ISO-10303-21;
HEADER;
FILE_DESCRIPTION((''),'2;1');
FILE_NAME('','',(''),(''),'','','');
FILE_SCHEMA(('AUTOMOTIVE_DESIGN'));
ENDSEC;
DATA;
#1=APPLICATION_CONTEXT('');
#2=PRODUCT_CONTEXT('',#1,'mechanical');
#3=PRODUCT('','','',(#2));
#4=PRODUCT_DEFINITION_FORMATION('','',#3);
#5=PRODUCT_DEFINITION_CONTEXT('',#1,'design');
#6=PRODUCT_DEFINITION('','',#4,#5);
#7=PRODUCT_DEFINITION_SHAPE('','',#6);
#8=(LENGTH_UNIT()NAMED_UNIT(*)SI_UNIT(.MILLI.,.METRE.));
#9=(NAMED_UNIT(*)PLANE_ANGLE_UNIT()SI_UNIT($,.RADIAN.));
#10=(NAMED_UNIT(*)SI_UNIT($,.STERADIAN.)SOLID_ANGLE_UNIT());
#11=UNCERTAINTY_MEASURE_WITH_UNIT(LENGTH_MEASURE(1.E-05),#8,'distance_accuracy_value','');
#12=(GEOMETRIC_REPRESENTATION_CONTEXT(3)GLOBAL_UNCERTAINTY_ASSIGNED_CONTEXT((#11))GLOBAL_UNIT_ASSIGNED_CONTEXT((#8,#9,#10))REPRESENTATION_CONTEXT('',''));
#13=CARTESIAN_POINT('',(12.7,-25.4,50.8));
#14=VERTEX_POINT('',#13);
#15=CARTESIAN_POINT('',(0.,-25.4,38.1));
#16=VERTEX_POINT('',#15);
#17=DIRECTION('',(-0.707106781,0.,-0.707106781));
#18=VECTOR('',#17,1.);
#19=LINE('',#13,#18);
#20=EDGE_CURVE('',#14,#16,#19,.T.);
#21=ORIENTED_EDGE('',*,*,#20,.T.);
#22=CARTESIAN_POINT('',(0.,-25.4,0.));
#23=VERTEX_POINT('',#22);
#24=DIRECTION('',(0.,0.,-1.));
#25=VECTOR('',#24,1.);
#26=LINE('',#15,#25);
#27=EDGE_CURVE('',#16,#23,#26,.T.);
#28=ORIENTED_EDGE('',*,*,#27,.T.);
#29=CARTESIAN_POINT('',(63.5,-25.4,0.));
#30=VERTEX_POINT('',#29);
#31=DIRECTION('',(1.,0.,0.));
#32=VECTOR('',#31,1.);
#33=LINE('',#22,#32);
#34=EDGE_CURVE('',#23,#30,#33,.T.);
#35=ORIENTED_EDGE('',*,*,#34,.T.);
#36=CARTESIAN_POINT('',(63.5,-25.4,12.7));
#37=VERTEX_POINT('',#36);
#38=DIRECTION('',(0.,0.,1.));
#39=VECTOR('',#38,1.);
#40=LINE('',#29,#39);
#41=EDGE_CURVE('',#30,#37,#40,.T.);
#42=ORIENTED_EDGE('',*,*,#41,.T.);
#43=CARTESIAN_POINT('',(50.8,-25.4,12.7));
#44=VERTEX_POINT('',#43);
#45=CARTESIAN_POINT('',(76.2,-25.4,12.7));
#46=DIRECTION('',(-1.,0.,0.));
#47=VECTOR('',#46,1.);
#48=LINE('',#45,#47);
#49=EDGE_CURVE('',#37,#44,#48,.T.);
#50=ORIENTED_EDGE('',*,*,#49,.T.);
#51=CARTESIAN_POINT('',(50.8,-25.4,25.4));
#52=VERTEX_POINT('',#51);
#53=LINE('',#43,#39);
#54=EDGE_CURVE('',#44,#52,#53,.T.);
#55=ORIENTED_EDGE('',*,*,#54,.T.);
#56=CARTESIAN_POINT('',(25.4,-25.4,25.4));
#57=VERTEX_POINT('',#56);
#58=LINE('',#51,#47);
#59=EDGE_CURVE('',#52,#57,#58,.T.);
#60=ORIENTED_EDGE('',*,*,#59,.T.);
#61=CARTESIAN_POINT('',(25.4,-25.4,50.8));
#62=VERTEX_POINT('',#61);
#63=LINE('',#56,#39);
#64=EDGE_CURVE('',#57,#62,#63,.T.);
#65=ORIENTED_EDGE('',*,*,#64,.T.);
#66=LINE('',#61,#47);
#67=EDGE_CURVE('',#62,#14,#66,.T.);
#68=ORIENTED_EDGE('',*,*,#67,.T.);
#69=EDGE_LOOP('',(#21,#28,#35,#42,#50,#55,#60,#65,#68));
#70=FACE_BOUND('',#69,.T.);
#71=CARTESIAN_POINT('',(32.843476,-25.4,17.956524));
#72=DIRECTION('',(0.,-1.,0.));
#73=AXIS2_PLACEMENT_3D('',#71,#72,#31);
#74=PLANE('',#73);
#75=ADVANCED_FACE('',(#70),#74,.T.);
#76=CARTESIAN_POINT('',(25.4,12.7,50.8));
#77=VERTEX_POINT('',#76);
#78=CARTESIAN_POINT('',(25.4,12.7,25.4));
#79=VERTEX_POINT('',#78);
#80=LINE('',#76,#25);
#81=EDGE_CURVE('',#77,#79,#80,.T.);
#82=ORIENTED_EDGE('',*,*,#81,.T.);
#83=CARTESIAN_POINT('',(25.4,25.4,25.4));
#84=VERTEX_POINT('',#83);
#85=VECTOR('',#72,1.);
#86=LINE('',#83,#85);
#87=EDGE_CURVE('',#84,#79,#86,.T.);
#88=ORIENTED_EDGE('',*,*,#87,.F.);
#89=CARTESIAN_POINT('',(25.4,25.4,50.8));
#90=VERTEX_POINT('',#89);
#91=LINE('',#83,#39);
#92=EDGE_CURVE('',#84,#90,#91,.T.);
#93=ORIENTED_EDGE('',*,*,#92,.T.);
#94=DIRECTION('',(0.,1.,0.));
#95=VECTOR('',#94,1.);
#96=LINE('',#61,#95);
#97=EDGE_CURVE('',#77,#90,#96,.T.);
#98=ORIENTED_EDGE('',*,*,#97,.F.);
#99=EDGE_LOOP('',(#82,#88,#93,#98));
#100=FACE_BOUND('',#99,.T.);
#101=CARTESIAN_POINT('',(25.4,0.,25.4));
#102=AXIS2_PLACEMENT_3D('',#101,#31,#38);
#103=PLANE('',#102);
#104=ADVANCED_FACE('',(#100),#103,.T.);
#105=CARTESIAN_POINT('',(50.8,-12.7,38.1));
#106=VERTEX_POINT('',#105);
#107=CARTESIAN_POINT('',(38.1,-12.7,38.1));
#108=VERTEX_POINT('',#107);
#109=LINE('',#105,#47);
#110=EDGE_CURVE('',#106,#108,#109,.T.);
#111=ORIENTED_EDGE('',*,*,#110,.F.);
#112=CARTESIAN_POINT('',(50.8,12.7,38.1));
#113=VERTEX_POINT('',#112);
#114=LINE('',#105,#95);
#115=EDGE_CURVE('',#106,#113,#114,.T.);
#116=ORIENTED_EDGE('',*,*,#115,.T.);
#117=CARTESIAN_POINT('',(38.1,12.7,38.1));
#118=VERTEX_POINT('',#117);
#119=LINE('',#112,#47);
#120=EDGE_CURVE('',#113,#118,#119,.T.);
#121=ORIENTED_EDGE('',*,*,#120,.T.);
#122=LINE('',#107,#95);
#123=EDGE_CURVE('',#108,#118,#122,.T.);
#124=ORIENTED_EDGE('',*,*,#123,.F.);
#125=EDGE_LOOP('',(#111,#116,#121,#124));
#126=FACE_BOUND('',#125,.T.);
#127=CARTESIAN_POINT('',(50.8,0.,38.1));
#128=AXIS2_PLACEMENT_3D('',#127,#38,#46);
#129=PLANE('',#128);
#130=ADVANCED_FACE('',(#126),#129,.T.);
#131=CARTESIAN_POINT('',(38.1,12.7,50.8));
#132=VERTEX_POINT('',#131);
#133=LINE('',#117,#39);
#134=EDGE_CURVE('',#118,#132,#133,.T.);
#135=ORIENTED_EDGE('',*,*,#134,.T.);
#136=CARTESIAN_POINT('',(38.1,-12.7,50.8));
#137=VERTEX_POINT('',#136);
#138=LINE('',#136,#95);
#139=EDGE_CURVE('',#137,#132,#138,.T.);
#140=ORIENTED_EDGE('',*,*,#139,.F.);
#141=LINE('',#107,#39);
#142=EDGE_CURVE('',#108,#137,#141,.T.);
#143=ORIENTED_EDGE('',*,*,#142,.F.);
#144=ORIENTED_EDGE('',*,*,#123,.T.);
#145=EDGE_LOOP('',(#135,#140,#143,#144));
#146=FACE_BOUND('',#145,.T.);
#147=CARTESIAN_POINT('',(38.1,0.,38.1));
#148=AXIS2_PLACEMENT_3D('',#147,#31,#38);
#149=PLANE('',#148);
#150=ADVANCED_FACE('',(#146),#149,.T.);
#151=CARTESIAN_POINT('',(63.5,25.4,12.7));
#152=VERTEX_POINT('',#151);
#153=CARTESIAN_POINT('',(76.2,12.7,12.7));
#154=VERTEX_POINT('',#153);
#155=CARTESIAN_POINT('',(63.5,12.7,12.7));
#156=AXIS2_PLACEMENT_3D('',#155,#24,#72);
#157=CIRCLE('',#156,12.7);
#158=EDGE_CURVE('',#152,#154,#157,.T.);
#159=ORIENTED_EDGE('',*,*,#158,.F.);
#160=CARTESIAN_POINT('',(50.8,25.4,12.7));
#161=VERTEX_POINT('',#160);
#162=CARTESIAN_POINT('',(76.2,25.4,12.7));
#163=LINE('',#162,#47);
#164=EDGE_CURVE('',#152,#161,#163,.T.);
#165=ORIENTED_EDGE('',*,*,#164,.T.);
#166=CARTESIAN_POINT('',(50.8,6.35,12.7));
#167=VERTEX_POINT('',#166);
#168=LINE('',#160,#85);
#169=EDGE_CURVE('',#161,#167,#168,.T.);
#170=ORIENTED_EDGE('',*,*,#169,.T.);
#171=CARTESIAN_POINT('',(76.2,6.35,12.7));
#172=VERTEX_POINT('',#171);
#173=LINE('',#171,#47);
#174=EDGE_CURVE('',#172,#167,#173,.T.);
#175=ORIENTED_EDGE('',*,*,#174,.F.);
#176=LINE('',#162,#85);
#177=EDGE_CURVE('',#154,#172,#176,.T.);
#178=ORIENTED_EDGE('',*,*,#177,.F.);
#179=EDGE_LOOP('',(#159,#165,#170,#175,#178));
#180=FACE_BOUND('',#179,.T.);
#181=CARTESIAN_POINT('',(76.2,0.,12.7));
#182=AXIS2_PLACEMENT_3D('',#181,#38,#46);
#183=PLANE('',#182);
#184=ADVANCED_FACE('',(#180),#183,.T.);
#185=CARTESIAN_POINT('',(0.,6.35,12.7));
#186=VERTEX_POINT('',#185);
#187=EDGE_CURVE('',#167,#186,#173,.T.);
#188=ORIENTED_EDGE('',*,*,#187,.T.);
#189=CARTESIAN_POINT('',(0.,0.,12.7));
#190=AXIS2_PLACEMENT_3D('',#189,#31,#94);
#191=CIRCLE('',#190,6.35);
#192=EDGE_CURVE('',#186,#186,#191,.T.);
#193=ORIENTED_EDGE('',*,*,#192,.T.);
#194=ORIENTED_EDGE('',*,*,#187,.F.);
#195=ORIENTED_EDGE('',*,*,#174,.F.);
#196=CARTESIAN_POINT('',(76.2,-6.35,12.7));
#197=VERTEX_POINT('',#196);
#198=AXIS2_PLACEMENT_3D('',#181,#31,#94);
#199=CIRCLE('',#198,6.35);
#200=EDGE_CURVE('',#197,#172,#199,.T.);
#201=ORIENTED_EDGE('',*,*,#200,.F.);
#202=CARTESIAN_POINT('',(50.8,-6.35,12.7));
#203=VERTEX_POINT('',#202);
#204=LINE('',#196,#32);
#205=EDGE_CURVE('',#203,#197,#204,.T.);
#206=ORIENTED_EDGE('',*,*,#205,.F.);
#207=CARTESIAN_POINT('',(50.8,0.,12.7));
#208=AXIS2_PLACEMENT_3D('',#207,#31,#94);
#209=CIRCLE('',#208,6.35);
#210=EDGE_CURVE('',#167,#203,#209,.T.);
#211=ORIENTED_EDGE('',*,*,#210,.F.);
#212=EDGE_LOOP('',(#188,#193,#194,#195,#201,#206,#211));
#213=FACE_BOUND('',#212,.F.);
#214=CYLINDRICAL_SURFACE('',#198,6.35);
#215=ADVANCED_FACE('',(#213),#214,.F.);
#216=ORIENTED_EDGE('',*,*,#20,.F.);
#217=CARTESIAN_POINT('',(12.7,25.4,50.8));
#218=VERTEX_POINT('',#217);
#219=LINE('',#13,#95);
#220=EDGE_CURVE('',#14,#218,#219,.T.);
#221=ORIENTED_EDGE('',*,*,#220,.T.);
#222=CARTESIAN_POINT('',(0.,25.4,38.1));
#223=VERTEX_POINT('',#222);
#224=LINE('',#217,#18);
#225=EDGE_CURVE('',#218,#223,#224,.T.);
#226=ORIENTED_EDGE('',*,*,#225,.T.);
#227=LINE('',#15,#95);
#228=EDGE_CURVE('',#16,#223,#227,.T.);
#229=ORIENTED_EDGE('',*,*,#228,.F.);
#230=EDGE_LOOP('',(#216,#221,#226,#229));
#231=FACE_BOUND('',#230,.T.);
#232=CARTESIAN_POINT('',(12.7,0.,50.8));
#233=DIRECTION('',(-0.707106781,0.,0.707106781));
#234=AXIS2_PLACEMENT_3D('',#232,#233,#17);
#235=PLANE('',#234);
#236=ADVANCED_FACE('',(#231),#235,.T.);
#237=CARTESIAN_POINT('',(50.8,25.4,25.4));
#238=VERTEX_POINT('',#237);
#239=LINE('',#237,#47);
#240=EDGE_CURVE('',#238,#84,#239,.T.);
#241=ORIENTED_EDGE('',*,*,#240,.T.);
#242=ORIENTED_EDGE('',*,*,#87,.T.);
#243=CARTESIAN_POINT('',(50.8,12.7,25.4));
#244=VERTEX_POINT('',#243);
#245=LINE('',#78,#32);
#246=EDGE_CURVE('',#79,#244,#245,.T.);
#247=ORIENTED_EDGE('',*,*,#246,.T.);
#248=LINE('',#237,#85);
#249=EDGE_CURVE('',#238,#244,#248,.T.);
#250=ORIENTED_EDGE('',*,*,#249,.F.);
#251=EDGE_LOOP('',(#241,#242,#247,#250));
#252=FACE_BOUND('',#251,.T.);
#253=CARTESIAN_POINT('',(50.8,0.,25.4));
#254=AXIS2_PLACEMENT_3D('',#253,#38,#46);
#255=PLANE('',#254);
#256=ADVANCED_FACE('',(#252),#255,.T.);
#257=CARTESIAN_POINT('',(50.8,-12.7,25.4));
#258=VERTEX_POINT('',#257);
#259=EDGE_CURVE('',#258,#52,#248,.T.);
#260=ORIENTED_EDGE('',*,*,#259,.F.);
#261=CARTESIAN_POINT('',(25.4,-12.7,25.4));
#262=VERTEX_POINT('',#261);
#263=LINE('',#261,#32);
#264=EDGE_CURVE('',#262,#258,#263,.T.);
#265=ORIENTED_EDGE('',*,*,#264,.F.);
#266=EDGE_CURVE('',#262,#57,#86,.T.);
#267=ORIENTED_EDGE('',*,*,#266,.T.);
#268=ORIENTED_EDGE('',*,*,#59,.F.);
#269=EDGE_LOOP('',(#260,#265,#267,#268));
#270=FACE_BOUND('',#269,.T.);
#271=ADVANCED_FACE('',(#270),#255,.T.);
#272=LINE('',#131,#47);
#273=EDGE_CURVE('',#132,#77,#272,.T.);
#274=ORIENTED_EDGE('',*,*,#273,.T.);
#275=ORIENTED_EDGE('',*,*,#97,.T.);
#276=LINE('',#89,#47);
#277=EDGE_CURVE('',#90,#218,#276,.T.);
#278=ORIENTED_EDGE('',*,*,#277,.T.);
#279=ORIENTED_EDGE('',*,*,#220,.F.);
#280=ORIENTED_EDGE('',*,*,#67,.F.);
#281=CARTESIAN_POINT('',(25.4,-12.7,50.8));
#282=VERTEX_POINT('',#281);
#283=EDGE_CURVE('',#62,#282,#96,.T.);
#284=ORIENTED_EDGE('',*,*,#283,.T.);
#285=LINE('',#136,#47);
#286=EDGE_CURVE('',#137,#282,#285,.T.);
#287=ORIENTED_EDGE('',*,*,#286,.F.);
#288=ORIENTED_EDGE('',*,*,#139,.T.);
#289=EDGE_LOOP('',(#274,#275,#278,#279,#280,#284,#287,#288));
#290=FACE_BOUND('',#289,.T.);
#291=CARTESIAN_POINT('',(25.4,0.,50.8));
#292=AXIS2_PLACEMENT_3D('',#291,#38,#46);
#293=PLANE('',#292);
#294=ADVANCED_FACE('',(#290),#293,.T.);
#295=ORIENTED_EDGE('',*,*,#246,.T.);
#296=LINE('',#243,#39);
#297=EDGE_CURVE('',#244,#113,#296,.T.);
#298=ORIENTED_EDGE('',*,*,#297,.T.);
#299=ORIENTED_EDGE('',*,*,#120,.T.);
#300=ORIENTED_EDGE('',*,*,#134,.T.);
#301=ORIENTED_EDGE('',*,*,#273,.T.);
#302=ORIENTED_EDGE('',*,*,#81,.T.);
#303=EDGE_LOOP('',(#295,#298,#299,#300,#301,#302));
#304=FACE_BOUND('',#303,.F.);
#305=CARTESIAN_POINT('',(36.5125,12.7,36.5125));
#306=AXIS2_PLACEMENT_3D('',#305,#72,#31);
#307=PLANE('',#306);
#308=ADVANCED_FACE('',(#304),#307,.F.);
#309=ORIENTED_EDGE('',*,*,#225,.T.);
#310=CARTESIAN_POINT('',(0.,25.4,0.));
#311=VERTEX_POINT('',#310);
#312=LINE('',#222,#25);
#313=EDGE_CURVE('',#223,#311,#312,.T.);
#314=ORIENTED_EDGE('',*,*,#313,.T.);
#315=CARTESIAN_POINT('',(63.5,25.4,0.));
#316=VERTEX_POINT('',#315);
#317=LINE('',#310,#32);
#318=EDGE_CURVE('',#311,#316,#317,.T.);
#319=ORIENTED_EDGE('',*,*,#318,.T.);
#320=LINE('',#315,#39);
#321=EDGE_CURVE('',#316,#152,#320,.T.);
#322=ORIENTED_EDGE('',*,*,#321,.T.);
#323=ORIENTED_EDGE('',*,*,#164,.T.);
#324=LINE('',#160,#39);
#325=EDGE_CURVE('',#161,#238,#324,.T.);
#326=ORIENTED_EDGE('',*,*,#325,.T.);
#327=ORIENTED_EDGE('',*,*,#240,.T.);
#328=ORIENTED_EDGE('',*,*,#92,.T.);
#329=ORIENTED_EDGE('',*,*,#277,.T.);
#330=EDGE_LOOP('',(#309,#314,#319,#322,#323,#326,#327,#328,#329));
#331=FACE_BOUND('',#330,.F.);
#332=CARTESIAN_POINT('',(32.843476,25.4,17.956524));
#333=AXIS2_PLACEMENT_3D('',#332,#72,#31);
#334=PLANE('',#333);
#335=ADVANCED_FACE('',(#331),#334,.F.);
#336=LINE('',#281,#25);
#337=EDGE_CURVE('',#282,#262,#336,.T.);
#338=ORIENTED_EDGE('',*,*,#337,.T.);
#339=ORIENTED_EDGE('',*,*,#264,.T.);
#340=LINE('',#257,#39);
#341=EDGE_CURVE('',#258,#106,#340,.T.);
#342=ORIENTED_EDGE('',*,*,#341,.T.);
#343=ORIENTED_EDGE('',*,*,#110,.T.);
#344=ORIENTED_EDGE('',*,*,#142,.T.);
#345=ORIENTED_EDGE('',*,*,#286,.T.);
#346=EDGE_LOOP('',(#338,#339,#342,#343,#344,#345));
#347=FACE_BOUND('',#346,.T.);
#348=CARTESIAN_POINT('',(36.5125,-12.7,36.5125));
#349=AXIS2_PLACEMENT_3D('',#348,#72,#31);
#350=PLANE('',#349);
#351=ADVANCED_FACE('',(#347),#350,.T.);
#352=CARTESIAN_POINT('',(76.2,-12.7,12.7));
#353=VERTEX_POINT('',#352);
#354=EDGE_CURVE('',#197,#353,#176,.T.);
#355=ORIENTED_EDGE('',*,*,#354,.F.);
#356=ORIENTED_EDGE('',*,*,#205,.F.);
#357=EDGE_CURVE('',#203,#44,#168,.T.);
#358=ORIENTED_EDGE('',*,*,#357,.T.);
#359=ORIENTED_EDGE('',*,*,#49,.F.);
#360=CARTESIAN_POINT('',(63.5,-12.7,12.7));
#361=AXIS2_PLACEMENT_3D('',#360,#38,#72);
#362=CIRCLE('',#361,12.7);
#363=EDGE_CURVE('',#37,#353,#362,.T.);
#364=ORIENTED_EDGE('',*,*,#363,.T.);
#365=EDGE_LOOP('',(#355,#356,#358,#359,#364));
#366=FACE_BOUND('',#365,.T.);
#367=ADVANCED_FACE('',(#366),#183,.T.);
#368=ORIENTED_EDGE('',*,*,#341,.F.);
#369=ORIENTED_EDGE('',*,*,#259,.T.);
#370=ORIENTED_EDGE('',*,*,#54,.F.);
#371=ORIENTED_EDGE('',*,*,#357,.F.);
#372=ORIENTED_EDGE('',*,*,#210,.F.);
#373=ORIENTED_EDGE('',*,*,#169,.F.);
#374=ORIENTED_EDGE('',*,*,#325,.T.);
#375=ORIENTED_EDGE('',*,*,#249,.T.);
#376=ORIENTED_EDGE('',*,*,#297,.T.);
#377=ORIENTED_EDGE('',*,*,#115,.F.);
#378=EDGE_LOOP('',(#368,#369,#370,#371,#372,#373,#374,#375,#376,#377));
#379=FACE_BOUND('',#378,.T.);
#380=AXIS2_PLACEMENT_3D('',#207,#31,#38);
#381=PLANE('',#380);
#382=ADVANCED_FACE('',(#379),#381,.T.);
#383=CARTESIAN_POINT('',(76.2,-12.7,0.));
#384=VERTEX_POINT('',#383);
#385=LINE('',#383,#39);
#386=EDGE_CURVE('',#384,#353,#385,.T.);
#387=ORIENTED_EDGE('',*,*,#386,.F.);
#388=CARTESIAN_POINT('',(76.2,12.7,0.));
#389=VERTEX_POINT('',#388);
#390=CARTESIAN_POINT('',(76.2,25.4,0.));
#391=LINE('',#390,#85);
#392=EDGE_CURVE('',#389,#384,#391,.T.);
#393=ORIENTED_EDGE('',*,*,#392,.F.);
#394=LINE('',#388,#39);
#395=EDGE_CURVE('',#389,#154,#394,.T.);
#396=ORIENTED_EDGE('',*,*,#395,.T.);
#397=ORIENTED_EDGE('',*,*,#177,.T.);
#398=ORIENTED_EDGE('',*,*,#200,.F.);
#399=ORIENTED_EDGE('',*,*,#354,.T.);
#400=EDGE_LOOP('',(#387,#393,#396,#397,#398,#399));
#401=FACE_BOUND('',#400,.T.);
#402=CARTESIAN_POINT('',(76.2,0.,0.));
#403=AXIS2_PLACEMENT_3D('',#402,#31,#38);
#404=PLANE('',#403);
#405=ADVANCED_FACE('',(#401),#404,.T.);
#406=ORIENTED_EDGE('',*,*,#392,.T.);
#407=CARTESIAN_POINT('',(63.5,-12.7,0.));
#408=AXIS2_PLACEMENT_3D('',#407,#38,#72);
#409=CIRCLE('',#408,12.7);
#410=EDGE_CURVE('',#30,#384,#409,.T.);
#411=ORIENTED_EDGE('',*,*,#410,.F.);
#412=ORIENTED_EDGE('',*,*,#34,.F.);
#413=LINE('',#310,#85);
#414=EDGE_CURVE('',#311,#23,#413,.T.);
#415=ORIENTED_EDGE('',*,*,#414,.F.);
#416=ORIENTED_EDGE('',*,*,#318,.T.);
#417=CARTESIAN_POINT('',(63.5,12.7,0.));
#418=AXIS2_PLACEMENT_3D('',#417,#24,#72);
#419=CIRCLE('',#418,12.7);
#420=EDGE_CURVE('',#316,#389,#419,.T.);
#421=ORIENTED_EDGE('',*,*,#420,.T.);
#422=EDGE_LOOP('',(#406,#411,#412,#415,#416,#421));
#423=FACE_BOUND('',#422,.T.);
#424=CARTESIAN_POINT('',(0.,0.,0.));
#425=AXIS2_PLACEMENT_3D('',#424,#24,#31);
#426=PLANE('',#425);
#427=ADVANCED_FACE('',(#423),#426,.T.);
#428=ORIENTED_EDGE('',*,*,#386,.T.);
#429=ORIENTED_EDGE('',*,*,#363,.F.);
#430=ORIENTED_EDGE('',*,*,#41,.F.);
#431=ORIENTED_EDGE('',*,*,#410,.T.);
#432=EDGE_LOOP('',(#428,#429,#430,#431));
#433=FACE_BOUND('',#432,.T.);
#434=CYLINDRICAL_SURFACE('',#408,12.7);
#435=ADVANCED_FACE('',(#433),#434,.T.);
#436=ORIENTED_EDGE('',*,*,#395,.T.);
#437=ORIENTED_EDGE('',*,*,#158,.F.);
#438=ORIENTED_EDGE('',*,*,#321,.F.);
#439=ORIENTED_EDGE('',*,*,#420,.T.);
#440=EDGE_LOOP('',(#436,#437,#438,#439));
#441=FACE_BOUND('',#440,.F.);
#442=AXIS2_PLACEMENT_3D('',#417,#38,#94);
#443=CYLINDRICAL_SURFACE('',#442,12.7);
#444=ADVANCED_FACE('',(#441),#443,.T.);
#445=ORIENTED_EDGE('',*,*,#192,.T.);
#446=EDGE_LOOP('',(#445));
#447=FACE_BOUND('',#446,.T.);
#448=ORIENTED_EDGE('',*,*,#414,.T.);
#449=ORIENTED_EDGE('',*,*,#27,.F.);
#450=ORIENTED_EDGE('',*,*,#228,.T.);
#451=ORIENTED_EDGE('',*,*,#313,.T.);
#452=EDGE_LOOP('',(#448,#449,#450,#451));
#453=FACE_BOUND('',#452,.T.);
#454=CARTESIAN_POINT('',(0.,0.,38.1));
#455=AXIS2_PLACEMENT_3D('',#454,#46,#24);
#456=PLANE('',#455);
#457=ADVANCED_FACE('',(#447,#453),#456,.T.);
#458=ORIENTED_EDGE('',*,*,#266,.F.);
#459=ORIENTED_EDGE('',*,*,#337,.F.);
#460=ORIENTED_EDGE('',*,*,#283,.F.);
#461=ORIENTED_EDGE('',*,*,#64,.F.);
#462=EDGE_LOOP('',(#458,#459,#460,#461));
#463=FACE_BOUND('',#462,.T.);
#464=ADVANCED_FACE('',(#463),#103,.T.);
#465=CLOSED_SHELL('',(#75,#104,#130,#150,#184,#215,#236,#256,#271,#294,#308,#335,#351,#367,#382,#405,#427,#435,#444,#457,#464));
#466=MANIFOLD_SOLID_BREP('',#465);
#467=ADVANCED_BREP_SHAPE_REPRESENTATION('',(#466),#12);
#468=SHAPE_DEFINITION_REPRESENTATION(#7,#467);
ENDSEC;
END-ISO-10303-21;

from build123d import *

# Parameters (mm, degrees)
F1_DEPTH = 25.4
F2_DEPTH = 12.7
F3_R     = 12.7
F5_DEPTH = 76.201


with BuildPart() as f1:
    # F0 (on Front) → F1 (new body, symmetric)
    with BuildSketch(Plane.XZ):
        Polygon((0, 38.1), (0, 0), (76.2, 0), (76.2, 12.7), (50.8, 12.7), (50.8, 25.4), (25.4, 25.4), (25.4, 50.8), (12.7, 50.8), align=None)
    extrude(amount=F1_DEPTH, both=True)

    # F0 (on Front) → F2 (join, symmetric)
    with BuildSketch(Plane.XZ):
        Polygon((38.1, 50.8), (25.4, 50.8), (25.4, 25.4), (50.8, 25.4), (50.8, 38.1), (38.1, 38.1), align=None)
    extrude(amount=F2_DEPTH, both=True)

    # F3
    f3_edges = [f1.edges().sort_by_distance(p)[0] for p in [
        (76.2, -25.4, 6.35),
        (76.2, 25.4, 6.35),
    ]]
    fillet(f3_edges, radius=F3_R)

    # F4 (on face) → F5 (cut, through all)
    with BuildSketch(Plane.YZ.offset(76.2)):
        with BuildLine():
            ThreePointArc((-6.35, 12.7), (0, 6.35), (6.35, 12.7))
            Line((6.35, 12.7), (-6.35, 12.7))
        make_face()
        with BuildLine():
            Line((-6.35, 12.7), (6.35, 12.7))
            ThreePointArc((6.35, 12.7), (0, 19.05), (-6.35, 12.7))
        make_face()
    extrude(amount=-F5_DEPTH, mode=Mode.SUBTRACT)


solid = f1.part
